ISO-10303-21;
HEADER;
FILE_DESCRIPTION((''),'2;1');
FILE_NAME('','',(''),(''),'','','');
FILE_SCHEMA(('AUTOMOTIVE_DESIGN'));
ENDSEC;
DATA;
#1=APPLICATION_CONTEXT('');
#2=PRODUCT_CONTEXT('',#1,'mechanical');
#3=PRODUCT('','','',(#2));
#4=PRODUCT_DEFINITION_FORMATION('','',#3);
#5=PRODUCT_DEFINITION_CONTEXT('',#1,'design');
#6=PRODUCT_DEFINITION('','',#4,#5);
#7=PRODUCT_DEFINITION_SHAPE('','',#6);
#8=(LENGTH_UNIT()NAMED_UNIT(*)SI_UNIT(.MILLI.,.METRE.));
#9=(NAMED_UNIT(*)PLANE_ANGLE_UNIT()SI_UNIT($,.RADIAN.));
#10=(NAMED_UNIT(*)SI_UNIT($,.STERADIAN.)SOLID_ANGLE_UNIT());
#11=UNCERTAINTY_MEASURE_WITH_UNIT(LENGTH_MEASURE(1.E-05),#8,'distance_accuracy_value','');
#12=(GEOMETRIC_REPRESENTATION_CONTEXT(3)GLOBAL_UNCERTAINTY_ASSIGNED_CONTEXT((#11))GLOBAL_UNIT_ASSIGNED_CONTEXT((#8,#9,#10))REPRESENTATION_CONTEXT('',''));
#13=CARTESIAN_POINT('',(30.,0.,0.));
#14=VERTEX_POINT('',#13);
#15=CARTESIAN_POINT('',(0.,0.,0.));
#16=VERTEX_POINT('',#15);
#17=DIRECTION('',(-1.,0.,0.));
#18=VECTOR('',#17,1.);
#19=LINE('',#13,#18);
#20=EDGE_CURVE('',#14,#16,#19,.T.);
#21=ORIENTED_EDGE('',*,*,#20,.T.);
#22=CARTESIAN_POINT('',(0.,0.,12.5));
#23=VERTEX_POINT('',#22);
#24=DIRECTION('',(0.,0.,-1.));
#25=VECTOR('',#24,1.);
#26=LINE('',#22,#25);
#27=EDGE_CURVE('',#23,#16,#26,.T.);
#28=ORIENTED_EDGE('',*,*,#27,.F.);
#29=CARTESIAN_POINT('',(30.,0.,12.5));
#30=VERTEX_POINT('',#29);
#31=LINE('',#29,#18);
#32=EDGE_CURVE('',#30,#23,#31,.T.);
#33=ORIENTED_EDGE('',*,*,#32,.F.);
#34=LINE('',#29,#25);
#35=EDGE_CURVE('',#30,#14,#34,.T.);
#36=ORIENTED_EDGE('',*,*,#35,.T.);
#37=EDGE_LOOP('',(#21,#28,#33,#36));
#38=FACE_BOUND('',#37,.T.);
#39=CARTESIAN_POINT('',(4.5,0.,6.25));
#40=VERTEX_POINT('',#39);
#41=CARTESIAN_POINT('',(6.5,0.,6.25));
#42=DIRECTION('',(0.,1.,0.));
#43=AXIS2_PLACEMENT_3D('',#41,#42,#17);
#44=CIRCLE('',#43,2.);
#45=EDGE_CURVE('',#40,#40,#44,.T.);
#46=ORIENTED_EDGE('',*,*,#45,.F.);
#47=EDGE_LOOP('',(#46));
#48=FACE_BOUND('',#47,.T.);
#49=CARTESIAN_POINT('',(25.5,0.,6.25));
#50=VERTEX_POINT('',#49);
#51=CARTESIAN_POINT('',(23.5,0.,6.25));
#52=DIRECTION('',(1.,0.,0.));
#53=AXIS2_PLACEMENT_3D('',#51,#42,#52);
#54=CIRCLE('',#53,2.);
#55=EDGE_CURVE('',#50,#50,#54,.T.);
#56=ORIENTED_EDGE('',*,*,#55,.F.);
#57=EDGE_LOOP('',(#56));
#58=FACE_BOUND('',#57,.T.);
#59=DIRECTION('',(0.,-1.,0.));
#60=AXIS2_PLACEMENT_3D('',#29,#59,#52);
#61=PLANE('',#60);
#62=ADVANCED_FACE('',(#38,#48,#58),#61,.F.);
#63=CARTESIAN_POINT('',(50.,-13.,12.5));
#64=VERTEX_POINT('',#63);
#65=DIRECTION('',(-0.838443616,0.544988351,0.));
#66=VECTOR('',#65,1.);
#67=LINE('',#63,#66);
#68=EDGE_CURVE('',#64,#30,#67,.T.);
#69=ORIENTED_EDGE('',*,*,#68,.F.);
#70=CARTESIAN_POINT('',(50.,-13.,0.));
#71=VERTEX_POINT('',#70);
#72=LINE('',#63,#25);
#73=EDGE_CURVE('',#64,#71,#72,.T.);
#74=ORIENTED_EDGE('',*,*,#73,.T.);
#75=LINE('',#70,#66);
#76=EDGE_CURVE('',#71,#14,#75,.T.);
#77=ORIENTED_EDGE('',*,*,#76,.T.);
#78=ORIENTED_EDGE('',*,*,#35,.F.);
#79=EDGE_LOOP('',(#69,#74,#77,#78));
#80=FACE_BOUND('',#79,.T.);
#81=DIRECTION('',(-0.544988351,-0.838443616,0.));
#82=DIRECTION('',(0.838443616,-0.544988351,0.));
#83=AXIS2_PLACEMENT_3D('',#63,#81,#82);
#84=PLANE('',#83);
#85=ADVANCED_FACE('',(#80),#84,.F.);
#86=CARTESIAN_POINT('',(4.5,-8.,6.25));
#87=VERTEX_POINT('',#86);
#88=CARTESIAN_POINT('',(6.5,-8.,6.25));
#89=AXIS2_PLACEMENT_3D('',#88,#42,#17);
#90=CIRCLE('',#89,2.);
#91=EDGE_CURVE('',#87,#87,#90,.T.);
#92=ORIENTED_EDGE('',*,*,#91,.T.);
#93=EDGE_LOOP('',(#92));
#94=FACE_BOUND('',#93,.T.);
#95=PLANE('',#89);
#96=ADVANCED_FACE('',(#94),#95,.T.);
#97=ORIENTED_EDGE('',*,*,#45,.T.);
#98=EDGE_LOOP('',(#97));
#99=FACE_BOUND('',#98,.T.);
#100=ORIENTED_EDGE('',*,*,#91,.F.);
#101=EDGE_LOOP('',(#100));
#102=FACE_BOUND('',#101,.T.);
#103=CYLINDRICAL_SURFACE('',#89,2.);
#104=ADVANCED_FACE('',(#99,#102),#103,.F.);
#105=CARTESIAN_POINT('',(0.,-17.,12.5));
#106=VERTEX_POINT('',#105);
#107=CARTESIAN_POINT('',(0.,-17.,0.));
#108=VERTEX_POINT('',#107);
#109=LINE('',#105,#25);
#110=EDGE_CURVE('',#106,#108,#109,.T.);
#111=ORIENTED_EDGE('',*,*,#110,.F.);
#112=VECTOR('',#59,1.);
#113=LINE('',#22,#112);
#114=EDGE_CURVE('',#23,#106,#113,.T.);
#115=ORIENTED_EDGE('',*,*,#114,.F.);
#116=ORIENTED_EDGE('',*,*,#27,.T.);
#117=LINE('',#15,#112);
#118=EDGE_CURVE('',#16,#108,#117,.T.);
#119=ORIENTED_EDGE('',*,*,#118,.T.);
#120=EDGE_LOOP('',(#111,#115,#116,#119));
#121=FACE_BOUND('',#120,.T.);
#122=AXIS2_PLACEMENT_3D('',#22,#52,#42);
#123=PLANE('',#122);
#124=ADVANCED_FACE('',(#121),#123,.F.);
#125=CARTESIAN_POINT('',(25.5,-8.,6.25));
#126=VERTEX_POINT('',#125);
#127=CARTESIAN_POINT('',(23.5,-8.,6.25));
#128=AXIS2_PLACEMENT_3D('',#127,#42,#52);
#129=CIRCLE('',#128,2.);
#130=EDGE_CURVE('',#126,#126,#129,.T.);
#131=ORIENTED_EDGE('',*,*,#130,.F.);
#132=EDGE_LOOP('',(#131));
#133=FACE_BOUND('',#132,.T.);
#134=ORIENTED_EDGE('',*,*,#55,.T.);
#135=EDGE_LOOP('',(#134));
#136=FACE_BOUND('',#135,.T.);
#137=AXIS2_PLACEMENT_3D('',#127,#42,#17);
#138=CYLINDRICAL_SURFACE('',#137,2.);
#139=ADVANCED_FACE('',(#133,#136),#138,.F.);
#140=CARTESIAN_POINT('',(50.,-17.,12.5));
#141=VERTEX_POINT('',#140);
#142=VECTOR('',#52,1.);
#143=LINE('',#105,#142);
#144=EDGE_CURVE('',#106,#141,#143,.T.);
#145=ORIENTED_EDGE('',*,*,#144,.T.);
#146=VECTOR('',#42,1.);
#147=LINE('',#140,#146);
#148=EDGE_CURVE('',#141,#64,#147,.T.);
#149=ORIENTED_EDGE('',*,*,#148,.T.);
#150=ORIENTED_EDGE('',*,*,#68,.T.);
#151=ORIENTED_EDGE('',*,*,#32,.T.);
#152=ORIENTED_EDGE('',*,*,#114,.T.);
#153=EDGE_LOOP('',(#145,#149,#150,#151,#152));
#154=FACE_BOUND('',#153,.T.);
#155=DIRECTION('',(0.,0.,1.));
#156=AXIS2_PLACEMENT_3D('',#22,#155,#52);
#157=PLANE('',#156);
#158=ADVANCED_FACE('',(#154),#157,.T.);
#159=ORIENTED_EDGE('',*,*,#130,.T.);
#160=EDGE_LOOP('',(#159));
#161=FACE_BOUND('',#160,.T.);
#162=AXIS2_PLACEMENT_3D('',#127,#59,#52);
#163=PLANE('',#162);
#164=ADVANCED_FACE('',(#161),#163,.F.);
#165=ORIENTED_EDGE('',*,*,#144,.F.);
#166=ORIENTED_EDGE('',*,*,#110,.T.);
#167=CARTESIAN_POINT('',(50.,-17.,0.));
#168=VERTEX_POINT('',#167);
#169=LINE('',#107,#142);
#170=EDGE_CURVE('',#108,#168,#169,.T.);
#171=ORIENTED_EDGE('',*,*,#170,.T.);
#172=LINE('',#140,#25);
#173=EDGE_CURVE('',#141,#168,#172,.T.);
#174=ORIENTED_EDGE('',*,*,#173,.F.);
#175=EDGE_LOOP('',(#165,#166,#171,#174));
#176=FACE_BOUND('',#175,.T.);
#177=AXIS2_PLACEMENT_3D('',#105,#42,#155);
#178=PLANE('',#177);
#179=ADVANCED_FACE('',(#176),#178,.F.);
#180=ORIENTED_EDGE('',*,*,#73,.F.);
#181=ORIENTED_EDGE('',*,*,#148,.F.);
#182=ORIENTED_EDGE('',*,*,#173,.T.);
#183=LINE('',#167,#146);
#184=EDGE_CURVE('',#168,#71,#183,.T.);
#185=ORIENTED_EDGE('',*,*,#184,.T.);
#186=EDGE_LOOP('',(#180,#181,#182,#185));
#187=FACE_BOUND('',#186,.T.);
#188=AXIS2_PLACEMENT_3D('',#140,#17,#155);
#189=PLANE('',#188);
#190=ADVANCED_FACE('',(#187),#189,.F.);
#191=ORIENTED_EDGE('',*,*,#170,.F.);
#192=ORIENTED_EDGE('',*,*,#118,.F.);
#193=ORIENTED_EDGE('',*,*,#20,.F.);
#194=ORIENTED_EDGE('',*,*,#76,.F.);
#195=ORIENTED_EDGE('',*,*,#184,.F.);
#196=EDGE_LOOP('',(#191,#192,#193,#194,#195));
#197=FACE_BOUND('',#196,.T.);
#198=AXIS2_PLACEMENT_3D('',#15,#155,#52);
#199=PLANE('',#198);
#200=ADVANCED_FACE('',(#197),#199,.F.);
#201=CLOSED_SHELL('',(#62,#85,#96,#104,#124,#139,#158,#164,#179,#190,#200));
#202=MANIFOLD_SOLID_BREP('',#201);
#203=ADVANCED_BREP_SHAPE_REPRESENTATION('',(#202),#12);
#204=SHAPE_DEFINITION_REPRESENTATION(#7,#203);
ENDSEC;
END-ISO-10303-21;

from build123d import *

# Parameters (mm, degrees)
BOSS_EXTRUDE1_DEPTH = 12.5
SKETCH2_R           = 2
CUT_EXTRUDE1_DEPTH  = 8


with BuildPart() as part:
    # Sketch1 → Boss-Extrude1 (new body)
    with BuildSketch(Plane.XY):
        Polygon((0, 0), (0, -17), (50, -17), (50, -13), (30, 0), align=None)
    extrude(amount=BOSS_EXTRUDE1_DEPTH)

    # Sketch2 → Cut-Extrude1 (cut)
    with BuildSketch(Plane(origin=(0, 0, 0), x_dir=(1, 0, 0), z_dir=(0, 1, 0))):
        with Locations((6.5, -6.25)):
            Circle(SKETCH2_R)
        with Locations((23.5, -6.25)):
            Circle(SKETCH2_R)
    extrude(amount=-CUT_EXTRUDE1_DEPTH, mode=Mode.SUBTRACT)


solid = part.part
